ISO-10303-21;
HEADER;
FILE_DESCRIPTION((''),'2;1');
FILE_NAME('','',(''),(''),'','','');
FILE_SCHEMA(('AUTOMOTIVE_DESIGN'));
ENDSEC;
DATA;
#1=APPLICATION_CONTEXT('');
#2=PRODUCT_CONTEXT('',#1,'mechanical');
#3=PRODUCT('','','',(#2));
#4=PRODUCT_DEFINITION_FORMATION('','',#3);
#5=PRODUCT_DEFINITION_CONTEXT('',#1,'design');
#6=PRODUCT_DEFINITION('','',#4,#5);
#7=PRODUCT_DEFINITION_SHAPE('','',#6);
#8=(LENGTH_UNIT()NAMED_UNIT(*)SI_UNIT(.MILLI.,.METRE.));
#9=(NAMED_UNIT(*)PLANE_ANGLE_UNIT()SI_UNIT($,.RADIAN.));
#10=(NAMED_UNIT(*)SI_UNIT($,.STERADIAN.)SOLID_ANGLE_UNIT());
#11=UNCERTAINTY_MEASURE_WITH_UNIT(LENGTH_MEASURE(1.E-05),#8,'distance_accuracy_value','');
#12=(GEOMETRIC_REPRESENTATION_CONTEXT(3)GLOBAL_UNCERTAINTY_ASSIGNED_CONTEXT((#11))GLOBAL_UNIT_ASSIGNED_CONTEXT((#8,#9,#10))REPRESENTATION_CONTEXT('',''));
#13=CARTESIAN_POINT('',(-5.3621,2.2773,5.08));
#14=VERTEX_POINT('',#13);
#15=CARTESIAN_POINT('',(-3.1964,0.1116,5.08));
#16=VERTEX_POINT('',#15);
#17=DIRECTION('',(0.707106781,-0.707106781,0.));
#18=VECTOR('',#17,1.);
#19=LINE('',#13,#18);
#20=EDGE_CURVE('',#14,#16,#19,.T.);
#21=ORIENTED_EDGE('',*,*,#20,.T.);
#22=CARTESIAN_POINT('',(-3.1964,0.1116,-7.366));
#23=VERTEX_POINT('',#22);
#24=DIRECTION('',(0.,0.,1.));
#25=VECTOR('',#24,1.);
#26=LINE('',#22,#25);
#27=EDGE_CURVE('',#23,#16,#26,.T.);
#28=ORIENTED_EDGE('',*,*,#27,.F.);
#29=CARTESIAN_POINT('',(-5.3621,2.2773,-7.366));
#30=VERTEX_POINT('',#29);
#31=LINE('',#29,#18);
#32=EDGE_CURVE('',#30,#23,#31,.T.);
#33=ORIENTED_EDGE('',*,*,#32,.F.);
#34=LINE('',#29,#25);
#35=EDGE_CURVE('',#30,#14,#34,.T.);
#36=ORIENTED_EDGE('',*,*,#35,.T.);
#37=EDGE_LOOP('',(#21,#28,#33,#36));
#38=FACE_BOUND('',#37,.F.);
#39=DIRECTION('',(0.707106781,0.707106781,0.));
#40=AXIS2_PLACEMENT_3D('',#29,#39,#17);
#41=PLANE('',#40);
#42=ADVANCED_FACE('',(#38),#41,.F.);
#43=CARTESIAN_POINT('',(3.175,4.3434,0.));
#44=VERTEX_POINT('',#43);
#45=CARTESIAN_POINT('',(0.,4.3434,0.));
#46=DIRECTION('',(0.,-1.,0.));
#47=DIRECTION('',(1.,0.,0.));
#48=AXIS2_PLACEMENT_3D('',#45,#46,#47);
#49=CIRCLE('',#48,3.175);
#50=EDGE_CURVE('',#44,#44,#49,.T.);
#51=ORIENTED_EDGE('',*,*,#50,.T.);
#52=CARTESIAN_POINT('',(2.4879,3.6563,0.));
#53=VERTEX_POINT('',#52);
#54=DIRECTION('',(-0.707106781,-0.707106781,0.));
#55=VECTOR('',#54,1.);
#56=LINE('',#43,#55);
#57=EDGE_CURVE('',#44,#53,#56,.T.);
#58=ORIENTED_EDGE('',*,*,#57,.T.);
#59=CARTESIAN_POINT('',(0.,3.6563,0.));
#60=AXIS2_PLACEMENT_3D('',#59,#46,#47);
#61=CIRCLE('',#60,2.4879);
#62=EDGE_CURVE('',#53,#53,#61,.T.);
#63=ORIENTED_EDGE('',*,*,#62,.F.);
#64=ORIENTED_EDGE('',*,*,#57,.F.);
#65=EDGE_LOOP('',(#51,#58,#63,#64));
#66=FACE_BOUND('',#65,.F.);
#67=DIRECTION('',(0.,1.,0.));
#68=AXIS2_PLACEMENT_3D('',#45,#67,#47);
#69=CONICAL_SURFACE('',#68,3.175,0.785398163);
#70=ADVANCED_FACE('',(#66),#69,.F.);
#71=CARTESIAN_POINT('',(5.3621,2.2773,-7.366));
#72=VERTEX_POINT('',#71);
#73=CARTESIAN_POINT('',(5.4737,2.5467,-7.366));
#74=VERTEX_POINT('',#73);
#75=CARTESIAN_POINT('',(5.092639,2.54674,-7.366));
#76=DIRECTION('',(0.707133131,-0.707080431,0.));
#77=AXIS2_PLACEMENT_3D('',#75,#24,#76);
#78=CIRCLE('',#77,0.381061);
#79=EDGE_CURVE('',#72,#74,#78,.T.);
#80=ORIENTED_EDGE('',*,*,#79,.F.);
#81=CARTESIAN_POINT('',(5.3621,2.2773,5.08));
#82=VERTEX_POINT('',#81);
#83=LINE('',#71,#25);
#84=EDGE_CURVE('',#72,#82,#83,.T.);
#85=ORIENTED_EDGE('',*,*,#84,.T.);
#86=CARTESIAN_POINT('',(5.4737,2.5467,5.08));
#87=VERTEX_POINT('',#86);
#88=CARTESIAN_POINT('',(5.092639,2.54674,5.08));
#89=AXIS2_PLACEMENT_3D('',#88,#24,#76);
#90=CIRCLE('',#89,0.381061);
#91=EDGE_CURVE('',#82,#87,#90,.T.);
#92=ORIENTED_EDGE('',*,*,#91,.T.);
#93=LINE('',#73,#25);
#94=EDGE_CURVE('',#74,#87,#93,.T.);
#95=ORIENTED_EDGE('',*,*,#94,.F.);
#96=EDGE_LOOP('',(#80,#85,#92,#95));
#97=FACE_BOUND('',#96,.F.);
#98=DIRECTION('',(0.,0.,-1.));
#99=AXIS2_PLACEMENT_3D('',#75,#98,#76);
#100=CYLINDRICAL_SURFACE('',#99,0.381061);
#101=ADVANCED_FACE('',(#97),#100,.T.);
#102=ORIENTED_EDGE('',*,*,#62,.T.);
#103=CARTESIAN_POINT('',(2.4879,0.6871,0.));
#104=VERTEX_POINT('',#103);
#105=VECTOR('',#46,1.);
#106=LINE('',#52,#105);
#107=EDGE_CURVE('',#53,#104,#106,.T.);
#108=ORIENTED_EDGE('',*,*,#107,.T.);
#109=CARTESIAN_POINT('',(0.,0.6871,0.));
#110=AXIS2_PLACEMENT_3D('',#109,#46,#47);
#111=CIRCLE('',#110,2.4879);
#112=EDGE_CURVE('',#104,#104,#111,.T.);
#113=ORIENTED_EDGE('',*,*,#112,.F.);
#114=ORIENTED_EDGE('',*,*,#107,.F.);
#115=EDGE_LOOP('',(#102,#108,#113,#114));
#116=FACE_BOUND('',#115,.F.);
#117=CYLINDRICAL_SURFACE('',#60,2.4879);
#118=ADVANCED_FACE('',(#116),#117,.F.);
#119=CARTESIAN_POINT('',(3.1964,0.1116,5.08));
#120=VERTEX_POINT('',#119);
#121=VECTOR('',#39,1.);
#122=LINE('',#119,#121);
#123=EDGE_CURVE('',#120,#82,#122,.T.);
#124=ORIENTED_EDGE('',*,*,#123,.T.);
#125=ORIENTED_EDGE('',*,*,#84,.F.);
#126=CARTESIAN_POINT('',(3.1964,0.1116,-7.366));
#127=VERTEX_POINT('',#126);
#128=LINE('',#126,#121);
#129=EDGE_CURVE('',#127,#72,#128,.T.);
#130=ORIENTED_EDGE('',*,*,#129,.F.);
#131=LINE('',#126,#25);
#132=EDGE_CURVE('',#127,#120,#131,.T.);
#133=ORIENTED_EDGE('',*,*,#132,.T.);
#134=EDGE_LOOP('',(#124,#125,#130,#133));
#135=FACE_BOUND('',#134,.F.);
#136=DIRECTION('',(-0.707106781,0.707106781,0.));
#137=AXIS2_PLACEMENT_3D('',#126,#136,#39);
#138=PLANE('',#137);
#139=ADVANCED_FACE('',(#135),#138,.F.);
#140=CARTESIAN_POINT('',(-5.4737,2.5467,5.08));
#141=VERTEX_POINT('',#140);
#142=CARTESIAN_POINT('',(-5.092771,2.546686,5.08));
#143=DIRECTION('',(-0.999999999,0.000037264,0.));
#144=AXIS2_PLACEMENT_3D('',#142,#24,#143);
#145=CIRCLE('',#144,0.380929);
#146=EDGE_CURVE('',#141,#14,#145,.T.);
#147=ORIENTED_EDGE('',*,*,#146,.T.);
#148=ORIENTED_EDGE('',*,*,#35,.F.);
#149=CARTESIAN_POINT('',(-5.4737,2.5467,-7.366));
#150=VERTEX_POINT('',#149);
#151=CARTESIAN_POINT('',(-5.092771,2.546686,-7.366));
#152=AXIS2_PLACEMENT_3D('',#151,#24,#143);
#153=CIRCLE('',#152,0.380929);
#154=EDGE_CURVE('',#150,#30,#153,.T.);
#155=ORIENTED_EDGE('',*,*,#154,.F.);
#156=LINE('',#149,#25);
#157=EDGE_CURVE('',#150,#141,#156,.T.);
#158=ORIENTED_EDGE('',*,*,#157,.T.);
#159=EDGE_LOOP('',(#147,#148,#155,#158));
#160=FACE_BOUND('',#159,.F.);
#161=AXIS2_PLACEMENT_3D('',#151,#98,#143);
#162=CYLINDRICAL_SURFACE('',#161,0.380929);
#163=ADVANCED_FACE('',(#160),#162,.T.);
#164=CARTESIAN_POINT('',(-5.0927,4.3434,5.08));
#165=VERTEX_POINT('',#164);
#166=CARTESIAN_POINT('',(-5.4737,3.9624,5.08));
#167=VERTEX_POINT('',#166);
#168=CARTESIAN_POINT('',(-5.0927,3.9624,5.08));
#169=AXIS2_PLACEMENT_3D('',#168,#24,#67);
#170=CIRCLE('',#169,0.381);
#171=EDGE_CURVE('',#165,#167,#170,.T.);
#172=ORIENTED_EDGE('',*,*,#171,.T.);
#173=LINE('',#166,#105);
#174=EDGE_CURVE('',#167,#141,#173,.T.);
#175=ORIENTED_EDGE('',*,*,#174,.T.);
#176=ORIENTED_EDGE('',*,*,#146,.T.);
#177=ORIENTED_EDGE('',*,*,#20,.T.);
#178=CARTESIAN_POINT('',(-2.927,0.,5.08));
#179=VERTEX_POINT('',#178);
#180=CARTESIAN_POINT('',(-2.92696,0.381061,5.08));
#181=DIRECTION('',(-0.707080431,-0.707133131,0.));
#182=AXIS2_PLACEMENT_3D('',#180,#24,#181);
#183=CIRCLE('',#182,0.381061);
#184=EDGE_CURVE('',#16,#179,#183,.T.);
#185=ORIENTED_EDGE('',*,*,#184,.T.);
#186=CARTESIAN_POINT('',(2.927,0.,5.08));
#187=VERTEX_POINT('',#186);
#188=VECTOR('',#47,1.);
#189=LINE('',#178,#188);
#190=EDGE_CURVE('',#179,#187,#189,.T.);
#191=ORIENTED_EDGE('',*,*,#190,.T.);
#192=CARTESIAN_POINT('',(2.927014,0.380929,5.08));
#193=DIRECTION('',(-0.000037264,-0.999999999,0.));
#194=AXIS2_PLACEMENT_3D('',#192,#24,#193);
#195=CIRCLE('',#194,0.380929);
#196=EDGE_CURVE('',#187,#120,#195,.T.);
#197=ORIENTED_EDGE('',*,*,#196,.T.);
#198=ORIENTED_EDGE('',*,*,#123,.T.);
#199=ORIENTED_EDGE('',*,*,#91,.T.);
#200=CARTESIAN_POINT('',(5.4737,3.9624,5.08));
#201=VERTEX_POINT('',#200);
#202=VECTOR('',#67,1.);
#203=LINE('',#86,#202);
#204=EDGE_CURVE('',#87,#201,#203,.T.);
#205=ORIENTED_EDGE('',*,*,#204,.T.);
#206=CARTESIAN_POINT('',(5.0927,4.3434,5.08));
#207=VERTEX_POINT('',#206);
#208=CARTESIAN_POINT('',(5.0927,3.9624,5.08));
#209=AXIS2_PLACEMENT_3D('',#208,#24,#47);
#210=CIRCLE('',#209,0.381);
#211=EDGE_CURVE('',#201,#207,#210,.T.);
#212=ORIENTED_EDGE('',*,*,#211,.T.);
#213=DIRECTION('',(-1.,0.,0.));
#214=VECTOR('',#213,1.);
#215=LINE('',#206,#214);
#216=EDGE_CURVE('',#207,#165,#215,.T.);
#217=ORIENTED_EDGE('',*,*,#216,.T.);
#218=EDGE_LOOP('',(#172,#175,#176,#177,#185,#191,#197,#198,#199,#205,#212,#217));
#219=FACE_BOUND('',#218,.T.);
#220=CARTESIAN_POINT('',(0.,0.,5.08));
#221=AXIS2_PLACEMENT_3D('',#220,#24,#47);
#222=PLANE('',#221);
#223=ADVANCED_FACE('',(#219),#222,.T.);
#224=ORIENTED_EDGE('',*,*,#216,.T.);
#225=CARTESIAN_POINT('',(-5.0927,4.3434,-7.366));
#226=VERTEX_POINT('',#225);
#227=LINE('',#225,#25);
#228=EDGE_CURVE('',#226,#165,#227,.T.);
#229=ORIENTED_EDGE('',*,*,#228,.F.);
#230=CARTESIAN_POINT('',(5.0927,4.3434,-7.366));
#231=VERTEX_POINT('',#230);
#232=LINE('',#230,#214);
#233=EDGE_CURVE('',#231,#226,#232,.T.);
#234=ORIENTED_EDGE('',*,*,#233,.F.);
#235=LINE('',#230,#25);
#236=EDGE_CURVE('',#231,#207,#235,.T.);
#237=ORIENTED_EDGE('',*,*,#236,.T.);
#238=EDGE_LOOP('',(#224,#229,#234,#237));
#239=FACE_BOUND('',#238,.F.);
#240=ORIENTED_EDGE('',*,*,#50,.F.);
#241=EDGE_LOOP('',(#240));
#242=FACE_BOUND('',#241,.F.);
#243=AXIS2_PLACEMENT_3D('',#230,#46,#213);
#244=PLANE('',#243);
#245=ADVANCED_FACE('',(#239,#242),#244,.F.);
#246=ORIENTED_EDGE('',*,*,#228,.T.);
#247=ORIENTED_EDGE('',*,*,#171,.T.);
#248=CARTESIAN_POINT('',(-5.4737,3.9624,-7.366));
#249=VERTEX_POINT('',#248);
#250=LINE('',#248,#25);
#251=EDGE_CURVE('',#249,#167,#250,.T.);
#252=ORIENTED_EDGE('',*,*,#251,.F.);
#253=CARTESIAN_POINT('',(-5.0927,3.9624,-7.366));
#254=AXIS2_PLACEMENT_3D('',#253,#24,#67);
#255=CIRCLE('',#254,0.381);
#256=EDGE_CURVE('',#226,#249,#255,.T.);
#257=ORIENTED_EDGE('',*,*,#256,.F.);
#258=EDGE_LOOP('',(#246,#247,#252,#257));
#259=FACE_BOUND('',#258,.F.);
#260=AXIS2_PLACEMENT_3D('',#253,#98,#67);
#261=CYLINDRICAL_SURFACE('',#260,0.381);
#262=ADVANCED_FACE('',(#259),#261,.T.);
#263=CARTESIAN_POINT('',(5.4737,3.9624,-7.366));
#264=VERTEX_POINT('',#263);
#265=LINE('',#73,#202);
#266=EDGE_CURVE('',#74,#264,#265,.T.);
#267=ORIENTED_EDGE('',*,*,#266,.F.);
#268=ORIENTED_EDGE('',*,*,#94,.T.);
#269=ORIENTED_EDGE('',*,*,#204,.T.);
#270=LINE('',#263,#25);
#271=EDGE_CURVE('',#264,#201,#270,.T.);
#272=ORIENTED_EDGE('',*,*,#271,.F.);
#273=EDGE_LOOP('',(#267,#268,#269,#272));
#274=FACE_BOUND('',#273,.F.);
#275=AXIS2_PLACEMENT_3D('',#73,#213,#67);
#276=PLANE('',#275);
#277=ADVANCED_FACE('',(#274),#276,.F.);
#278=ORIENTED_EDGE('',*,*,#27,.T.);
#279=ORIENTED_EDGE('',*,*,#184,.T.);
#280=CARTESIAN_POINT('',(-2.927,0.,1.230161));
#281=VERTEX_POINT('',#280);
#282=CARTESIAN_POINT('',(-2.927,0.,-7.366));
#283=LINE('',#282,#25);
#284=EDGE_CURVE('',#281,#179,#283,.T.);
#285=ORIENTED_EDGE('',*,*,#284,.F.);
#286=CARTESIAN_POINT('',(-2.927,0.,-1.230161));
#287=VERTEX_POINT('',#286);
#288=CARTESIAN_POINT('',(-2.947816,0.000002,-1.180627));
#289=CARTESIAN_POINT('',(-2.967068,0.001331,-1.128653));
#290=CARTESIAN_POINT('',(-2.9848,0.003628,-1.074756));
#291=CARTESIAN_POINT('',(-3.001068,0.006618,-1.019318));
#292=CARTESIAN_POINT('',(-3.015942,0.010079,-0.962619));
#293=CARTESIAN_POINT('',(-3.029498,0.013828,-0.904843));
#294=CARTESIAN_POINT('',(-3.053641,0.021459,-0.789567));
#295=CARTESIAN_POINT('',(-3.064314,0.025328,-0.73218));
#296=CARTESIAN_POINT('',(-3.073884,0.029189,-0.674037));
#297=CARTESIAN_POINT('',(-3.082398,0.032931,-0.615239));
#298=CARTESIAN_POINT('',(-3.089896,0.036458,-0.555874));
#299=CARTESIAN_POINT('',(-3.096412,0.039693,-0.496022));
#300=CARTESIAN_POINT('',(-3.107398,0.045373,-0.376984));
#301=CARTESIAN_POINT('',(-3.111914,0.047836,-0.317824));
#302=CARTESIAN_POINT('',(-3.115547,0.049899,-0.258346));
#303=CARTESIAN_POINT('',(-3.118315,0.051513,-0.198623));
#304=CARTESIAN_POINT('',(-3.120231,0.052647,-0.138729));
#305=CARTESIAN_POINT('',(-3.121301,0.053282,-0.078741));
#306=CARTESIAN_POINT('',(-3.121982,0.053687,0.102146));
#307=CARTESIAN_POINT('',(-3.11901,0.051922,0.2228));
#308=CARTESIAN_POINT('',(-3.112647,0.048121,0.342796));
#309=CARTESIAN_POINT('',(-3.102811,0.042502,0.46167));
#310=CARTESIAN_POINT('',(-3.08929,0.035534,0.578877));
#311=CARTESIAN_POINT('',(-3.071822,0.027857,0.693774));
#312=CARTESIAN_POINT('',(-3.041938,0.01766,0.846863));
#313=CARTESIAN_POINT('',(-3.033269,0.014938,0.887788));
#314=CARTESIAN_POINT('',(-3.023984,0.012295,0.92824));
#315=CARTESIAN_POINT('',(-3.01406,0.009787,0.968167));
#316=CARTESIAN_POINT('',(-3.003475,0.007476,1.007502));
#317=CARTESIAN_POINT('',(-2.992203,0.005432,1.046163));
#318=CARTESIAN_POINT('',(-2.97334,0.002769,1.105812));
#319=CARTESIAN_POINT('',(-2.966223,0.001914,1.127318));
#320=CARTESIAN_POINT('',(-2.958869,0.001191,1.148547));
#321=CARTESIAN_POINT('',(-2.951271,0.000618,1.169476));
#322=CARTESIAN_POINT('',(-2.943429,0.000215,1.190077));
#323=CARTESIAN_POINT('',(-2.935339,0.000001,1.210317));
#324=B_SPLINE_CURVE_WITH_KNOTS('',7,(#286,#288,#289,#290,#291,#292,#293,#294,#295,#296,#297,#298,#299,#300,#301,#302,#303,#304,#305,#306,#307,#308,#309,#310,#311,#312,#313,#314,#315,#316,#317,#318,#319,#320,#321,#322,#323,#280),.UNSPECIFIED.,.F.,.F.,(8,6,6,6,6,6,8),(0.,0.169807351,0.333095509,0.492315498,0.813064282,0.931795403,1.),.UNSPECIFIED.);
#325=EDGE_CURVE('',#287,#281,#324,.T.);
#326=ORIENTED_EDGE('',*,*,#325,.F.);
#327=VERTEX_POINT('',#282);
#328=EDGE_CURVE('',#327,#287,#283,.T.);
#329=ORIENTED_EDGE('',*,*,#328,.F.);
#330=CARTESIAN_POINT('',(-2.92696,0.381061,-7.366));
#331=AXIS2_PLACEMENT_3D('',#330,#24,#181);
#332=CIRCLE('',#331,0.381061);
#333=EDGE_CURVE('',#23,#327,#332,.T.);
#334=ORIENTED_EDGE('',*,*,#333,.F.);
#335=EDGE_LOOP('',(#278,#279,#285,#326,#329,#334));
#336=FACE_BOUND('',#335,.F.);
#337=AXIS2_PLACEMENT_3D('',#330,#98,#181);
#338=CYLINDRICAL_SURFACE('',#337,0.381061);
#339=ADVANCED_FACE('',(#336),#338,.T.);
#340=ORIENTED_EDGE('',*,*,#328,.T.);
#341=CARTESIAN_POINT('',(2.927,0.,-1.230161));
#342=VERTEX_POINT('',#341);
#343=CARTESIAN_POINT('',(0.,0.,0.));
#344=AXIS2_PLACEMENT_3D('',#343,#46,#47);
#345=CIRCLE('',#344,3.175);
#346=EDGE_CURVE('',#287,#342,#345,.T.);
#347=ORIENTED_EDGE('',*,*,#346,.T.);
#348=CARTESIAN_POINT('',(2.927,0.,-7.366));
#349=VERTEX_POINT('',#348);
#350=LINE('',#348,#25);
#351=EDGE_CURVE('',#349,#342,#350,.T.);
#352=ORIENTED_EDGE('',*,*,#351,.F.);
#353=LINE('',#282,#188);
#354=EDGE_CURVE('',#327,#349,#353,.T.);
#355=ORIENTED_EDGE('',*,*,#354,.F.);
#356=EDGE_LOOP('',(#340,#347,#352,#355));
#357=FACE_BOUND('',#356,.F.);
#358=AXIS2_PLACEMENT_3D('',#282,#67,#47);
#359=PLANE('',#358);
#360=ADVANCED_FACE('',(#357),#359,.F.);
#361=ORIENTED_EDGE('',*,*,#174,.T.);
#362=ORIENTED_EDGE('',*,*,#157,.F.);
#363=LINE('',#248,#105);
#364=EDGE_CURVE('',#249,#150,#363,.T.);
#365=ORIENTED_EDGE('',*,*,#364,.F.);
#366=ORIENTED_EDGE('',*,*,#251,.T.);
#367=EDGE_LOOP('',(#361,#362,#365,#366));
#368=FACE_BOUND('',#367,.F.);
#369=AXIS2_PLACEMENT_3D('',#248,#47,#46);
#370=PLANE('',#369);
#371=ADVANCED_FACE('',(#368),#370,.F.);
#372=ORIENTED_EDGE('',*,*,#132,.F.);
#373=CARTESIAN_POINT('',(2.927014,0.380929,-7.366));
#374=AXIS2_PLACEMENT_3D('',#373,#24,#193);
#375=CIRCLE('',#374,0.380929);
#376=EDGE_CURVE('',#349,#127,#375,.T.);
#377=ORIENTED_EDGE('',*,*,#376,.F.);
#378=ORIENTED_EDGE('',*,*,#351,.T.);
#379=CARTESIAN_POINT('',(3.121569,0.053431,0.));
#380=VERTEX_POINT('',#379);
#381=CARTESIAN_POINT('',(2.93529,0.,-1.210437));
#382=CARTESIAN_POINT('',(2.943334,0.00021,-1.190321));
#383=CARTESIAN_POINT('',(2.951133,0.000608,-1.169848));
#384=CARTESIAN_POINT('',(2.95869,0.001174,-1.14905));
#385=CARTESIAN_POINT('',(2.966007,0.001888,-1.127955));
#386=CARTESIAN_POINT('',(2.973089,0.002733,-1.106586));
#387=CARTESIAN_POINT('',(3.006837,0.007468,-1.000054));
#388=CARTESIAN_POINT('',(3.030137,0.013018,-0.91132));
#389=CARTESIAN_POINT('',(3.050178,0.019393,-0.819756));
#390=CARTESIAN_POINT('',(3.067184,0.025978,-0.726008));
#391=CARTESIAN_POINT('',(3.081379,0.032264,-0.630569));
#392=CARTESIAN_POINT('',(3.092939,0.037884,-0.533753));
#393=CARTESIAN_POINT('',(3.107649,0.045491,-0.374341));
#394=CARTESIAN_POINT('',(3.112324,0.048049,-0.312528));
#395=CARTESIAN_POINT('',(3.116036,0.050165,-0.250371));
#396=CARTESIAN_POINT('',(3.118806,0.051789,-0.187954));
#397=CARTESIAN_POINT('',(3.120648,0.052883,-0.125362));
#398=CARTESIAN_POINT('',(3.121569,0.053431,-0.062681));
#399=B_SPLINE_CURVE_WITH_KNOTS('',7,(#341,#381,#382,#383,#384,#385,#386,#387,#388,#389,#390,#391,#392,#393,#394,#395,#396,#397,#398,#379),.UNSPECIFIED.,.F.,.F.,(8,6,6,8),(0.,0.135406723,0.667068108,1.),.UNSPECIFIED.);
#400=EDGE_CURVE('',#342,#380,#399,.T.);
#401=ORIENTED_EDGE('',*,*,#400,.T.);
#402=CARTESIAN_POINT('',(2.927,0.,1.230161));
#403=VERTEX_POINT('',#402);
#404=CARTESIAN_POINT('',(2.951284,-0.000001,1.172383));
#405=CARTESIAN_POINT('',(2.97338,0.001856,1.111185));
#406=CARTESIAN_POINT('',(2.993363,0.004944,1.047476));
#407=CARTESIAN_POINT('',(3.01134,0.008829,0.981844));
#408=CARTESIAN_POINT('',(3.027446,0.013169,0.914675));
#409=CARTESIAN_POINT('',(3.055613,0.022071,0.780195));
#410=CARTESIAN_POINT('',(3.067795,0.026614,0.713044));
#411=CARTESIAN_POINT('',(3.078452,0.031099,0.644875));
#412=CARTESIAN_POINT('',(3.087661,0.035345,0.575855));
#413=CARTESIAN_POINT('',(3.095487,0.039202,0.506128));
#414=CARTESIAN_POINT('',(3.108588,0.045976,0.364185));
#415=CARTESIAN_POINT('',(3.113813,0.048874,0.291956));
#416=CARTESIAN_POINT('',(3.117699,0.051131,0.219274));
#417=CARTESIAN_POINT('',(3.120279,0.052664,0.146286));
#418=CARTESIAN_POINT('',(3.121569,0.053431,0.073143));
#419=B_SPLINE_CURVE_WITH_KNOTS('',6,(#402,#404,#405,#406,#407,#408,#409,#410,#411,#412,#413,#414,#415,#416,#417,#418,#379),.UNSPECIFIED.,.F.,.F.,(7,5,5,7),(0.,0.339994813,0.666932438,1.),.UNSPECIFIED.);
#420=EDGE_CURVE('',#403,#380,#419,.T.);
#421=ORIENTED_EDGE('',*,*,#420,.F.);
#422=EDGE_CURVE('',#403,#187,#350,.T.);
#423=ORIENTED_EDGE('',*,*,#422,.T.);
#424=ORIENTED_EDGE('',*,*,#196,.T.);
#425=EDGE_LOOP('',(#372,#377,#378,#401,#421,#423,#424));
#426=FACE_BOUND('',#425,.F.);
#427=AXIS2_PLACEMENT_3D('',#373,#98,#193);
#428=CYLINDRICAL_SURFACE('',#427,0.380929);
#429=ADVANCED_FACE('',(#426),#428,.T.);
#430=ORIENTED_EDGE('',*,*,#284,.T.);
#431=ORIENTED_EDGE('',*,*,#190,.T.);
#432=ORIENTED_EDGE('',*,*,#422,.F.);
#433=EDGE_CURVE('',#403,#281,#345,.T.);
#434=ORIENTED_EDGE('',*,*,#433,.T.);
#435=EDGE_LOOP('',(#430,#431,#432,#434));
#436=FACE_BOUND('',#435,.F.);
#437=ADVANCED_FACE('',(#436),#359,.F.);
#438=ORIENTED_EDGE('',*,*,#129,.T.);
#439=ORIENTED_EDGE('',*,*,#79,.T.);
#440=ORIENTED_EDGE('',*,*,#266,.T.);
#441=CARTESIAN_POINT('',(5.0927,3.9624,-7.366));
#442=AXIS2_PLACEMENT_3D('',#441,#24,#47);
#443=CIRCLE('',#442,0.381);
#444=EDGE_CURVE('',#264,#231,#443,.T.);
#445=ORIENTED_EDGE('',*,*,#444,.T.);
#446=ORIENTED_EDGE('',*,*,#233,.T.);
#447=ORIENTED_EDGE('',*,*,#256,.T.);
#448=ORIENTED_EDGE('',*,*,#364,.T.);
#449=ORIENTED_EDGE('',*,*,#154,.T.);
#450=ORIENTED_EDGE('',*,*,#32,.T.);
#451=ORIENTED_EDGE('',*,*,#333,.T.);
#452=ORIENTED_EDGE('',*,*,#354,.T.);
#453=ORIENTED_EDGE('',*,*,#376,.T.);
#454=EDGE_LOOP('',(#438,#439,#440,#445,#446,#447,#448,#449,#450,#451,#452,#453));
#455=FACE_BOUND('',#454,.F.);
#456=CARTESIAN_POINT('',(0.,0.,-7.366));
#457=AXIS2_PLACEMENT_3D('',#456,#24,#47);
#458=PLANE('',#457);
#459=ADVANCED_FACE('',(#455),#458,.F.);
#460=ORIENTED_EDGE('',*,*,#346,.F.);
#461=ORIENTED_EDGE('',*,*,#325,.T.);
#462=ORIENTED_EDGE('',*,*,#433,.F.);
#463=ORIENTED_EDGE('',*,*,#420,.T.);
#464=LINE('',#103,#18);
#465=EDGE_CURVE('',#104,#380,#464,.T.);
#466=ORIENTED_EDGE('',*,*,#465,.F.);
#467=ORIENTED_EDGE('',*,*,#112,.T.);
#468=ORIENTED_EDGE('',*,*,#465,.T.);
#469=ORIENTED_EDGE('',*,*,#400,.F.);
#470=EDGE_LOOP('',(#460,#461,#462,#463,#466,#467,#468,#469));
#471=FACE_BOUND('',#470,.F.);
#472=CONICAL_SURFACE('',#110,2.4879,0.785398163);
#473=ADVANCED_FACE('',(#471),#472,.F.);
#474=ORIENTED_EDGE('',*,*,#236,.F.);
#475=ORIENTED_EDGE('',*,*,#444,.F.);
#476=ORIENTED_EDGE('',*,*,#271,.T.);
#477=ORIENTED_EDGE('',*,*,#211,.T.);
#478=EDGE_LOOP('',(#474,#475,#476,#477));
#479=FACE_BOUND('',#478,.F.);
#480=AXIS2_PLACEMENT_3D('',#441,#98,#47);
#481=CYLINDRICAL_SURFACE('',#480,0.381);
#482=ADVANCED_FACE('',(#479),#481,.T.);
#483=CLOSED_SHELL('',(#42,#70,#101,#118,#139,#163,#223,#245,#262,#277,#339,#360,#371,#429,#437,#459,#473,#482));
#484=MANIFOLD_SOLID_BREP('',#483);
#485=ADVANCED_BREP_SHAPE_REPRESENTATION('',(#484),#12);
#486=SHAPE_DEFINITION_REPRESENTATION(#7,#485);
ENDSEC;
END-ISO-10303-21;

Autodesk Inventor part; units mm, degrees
sketch "Sketch_1" plane through (0, 0, -7.366) normal (0, 0, 1) x (1, 0, 0)
  line L0 (-5.4737, 3.9624) -> (-5.4737, 2.5467)
  arc A0 (-5.4737, 2.5467) -> (-5.3621, 2.2773) centre (-5.0927, 2.5467) ccw
  line L1 (-5.3621, 2.2773) -> (-3.1964, 0.1116)
  arc A1 (-3.1964, 0.1116) -> (-2.927, 0) centre (-2.927, 0.381) ccw
  line L2 (-2.927, 0) -> (2.927, 0)
  arc A2 (2.927, 0) -> (3.1964, 0.1116) centre (2.927, 0.381) ccw
  line L3 (3.1964, 0.1116) -> (5.3621, 2.2773)
  arc A3 (5.3621, 2.2773) -> (5.4737, 2.5467) centre (5.0927, 2.5467) ccw
  line L4 (5.4737, 2.5467) -> (5.4737, 3.9624)
  arc A4 (5.4737, 3.9624) -> (5.0927, 4.3434) centre (5.0927, 3.9624) ccw
  line L5 (5.0927, 4.3434) -> (-5.0927, 4.3434)
  arc A5 (-5.0927, 4.3434) -> (-5.4737, 3.9624) centre (-5.0927, 3.9624) ccw
extrude "Extrusion1" add sketch "Sketch_1" along normal blind 12.446
sketch "Sketch_3" plane through (0, 0, 0) normal (0, 0, 1) x (1, 0, 0)
  line L0 (0, 0) -> (0, 4.3434)
  line L1 (0, 4.3434) -> (3.175, 4.3434)
  line L2 (3.175, 4.3434) -> (2.4879, 3.6563)
  line L3 (2.4879, 3.6563) -> (2.4879, 0.6871)
  line L4 (2.4879, 0.6871) -> (3.175, 0)
  line L5 (3.175, 0) -> (0, 0)
  line L6 (0, 0) -> (0, 4.3434)
revolve "Revolution1" cut sketch "Sketch_3" angle 360 about axis through (0, 0, 0) along (0, -1, 0)
thread "Thread1" size "1/4-20 UNC" class "2B" standard "ANSI Unified Screw Threads" full length
ref_plane "tnut_XY" through (0, 4.3434, 0) normal (0, 1, 0) x (1, 0, 0)
ref_plane "tnut_YZ" through (0, 4.3434, 0) normal (1, 0, 0) x (0, 0, -1)
ref_plane "tnut_ZX" through (0, 4.3434, 0) normal (0, 0, -1) x (0, 1, 0)
properties part number "3204"
